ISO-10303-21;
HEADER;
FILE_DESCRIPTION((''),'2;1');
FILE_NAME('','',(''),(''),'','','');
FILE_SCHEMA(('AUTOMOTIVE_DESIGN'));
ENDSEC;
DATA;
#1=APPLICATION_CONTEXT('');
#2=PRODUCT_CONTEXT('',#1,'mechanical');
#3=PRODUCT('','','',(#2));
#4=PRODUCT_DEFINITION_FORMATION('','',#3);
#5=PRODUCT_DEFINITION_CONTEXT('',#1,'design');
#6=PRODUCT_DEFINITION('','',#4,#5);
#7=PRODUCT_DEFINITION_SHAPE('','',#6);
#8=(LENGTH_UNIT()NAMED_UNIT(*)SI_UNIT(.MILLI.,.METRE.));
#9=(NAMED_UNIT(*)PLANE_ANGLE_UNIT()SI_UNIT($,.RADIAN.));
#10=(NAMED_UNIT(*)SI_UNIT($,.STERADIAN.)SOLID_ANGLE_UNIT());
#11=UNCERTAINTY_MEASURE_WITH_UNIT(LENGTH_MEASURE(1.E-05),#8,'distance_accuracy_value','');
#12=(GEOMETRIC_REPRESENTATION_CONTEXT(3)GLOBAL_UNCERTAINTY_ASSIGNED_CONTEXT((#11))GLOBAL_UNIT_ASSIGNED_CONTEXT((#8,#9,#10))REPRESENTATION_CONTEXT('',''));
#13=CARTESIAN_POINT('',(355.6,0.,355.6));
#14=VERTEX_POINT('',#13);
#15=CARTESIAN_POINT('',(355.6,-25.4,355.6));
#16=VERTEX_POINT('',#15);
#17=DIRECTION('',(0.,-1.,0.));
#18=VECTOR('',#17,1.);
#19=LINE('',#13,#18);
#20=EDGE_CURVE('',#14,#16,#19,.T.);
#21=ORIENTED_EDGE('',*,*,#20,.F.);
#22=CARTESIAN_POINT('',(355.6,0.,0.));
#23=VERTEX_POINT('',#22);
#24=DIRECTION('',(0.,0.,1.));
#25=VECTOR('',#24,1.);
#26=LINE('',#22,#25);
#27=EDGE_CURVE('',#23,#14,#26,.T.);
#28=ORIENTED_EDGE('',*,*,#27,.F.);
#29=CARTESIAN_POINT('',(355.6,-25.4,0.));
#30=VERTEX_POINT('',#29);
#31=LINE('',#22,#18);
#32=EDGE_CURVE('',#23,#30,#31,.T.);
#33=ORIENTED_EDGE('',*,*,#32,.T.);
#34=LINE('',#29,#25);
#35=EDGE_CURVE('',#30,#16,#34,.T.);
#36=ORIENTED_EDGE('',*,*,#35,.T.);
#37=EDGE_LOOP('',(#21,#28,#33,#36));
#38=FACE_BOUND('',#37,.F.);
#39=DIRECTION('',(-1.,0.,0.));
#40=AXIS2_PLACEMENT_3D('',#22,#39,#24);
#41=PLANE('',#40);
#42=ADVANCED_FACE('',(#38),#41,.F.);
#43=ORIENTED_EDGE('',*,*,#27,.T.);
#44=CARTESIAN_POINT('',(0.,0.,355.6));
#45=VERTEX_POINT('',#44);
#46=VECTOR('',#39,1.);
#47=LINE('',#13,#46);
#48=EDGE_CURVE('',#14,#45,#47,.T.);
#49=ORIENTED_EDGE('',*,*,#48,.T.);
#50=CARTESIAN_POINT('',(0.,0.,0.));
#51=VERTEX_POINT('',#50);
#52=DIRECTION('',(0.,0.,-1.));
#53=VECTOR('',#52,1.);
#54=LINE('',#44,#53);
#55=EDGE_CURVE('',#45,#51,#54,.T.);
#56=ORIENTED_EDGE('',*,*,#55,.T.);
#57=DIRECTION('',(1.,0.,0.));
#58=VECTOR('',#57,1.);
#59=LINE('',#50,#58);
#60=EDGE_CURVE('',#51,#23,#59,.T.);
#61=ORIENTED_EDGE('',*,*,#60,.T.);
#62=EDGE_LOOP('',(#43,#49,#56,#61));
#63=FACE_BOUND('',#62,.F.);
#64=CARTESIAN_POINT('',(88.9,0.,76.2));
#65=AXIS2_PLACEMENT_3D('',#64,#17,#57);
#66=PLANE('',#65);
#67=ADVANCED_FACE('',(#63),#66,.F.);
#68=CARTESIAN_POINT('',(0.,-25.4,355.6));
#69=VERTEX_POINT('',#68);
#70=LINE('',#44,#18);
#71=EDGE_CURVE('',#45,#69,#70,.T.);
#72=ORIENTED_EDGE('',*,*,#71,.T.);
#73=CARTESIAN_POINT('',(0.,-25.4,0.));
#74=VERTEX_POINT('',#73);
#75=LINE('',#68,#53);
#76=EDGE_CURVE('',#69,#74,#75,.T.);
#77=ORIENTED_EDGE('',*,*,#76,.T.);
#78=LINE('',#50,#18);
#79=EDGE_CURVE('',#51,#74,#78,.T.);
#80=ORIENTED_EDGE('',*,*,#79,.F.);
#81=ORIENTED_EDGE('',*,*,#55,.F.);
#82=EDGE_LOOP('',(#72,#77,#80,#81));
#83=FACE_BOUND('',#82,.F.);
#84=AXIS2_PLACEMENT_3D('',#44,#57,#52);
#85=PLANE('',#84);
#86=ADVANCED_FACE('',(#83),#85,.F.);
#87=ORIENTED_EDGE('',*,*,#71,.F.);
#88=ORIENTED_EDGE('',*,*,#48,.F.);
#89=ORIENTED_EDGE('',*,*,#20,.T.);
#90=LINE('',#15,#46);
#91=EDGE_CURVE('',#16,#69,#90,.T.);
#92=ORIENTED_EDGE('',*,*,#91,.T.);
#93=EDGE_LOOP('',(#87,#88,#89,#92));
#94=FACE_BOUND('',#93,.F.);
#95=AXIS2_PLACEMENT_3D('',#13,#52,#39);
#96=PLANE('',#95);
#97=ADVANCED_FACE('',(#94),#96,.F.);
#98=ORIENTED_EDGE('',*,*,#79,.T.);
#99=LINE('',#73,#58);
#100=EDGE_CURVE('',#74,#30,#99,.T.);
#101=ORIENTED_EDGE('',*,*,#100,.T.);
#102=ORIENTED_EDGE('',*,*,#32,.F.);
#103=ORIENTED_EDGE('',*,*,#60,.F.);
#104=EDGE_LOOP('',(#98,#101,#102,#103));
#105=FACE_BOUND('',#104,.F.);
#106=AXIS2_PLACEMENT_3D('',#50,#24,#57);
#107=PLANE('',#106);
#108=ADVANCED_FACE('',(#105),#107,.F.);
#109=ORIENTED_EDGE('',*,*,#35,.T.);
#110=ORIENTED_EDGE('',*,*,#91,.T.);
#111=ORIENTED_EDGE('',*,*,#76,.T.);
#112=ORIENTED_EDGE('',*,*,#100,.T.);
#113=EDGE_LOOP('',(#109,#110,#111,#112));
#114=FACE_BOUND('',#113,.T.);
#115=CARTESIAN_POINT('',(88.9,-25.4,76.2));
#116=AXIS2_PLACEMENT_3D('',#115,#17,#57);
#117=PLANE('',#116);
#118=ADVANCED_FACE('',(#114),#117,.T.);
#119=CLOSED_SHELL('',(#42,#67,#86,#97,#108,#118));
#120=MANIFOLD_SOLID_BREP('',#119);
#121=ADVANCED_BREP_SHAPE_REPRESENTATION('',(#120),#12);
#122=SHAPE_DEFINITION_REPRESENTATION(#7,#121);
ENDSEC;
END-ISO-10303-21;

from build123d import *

# Parameters (mm, degrees)
F0_W     = 177.8
F0_H     = 152.4
F1_DEPTH = 25.4


with BuildPart() as f1:
    # F0 (on Front) → F1 (new body)
    with BuildSketch(Plane.XZ):
        with Locations((88.9, 76.2)):
            Rectangle(F0_W, F0_H)
        Polygon((177.8, 152.4), (177.8, 0), (355.6, 0), (355.6, 355.6), (0, 355.6), (0, 304.8), (177.8, 304.8), align=None)
        with Locations((88.9, 228.6)):
            Rectangle(F0_W, F0_H)
    extrude(amount=F1_DEPTH)


solid = f1.part
